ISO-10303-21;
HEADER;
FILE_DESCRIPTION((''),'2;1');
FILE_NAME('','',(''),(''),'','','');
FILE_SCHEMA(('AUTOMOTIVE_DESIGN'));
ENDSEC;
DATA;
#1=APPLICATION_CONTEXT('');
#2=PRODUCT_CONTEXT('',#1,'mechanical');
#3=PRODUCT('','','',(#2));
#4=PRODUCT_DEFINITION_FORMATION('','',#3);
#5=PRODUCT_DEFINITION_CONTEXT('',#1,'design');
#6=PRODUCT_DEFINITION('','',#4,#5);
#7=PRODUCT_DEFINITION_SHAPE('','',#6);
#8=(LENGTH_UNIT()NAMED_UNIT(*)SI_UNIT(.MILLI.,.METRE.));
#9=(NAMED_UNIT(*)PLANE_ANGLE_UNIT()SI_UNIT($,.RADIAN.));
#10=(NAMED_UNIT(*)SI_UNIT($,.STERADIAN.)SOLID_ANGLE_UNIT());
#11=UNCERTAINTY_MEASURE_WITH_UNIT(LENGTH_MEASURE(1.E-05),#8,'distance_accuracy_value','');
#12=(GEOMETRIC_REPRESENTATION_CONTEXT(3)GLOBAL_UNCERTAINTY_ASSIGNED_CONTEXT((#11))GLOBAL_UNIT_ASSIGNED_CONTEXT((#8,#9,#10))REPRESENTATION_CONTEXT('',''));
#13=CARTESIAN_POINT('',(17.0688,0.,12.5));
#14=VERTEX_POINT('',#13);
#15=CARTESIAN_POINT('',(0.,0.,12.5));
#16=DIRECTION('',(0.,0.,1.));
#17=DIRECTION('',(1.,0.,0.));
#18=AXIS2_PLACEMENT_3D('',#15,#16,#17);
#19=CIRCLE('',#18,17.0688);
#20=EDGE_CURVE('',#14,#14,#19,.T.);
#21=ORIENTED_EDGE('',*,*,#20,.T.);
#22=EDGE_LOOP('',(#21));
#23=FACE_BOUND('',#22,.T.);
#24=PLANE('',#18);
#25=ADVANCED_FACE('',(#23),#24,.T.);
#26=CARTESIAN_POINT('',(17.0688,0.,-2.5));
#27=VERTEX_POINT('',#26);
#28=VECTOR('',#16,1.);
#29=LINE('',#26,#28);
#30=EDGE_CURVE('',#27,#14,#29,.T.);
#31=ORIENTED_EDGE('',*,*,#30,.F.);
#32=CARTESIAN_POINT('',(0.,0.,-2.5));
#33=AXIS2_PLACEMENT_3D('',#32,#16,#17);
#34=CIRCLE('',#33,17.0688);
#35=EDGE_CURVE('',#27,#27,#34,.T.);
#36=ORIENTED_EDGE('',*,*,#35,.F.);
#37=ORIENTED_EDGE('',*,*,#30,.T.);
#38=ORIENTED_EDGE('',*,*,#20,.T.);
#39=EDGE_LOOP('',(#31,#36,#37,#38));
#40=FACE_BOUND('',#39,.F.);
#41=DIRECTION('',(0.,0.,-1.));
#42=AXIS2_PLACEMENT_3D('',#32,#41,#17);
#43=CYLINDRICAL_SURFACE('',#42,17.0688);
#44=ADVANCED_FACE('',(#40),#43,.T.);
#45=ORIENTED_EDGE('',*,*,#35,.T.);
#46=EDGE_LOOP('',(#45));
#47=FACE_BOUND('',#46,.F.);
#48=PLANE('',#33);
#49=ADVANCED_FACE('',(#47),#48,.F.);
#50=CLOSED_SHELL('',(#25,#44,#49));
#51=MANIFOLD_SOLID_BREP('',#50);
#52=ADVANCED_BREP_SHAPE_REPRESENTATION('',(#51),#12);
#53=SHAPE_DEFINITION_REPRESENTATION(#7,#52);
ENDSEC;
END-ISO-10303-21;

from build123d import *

# Parameters (mm, degrees)
CYLINDER_R     = 17.0688
CYLINDER_DEPTH = 15


with BuildPart() as part:
    # Cylinder → Cylinder (new body)
    with BuildSketch(Plane.XY.offset(-2.5)):
        Circle(CYLINDER_R)
    extrude(amount=CYLINDER_DEPTH)


solid = part.part
